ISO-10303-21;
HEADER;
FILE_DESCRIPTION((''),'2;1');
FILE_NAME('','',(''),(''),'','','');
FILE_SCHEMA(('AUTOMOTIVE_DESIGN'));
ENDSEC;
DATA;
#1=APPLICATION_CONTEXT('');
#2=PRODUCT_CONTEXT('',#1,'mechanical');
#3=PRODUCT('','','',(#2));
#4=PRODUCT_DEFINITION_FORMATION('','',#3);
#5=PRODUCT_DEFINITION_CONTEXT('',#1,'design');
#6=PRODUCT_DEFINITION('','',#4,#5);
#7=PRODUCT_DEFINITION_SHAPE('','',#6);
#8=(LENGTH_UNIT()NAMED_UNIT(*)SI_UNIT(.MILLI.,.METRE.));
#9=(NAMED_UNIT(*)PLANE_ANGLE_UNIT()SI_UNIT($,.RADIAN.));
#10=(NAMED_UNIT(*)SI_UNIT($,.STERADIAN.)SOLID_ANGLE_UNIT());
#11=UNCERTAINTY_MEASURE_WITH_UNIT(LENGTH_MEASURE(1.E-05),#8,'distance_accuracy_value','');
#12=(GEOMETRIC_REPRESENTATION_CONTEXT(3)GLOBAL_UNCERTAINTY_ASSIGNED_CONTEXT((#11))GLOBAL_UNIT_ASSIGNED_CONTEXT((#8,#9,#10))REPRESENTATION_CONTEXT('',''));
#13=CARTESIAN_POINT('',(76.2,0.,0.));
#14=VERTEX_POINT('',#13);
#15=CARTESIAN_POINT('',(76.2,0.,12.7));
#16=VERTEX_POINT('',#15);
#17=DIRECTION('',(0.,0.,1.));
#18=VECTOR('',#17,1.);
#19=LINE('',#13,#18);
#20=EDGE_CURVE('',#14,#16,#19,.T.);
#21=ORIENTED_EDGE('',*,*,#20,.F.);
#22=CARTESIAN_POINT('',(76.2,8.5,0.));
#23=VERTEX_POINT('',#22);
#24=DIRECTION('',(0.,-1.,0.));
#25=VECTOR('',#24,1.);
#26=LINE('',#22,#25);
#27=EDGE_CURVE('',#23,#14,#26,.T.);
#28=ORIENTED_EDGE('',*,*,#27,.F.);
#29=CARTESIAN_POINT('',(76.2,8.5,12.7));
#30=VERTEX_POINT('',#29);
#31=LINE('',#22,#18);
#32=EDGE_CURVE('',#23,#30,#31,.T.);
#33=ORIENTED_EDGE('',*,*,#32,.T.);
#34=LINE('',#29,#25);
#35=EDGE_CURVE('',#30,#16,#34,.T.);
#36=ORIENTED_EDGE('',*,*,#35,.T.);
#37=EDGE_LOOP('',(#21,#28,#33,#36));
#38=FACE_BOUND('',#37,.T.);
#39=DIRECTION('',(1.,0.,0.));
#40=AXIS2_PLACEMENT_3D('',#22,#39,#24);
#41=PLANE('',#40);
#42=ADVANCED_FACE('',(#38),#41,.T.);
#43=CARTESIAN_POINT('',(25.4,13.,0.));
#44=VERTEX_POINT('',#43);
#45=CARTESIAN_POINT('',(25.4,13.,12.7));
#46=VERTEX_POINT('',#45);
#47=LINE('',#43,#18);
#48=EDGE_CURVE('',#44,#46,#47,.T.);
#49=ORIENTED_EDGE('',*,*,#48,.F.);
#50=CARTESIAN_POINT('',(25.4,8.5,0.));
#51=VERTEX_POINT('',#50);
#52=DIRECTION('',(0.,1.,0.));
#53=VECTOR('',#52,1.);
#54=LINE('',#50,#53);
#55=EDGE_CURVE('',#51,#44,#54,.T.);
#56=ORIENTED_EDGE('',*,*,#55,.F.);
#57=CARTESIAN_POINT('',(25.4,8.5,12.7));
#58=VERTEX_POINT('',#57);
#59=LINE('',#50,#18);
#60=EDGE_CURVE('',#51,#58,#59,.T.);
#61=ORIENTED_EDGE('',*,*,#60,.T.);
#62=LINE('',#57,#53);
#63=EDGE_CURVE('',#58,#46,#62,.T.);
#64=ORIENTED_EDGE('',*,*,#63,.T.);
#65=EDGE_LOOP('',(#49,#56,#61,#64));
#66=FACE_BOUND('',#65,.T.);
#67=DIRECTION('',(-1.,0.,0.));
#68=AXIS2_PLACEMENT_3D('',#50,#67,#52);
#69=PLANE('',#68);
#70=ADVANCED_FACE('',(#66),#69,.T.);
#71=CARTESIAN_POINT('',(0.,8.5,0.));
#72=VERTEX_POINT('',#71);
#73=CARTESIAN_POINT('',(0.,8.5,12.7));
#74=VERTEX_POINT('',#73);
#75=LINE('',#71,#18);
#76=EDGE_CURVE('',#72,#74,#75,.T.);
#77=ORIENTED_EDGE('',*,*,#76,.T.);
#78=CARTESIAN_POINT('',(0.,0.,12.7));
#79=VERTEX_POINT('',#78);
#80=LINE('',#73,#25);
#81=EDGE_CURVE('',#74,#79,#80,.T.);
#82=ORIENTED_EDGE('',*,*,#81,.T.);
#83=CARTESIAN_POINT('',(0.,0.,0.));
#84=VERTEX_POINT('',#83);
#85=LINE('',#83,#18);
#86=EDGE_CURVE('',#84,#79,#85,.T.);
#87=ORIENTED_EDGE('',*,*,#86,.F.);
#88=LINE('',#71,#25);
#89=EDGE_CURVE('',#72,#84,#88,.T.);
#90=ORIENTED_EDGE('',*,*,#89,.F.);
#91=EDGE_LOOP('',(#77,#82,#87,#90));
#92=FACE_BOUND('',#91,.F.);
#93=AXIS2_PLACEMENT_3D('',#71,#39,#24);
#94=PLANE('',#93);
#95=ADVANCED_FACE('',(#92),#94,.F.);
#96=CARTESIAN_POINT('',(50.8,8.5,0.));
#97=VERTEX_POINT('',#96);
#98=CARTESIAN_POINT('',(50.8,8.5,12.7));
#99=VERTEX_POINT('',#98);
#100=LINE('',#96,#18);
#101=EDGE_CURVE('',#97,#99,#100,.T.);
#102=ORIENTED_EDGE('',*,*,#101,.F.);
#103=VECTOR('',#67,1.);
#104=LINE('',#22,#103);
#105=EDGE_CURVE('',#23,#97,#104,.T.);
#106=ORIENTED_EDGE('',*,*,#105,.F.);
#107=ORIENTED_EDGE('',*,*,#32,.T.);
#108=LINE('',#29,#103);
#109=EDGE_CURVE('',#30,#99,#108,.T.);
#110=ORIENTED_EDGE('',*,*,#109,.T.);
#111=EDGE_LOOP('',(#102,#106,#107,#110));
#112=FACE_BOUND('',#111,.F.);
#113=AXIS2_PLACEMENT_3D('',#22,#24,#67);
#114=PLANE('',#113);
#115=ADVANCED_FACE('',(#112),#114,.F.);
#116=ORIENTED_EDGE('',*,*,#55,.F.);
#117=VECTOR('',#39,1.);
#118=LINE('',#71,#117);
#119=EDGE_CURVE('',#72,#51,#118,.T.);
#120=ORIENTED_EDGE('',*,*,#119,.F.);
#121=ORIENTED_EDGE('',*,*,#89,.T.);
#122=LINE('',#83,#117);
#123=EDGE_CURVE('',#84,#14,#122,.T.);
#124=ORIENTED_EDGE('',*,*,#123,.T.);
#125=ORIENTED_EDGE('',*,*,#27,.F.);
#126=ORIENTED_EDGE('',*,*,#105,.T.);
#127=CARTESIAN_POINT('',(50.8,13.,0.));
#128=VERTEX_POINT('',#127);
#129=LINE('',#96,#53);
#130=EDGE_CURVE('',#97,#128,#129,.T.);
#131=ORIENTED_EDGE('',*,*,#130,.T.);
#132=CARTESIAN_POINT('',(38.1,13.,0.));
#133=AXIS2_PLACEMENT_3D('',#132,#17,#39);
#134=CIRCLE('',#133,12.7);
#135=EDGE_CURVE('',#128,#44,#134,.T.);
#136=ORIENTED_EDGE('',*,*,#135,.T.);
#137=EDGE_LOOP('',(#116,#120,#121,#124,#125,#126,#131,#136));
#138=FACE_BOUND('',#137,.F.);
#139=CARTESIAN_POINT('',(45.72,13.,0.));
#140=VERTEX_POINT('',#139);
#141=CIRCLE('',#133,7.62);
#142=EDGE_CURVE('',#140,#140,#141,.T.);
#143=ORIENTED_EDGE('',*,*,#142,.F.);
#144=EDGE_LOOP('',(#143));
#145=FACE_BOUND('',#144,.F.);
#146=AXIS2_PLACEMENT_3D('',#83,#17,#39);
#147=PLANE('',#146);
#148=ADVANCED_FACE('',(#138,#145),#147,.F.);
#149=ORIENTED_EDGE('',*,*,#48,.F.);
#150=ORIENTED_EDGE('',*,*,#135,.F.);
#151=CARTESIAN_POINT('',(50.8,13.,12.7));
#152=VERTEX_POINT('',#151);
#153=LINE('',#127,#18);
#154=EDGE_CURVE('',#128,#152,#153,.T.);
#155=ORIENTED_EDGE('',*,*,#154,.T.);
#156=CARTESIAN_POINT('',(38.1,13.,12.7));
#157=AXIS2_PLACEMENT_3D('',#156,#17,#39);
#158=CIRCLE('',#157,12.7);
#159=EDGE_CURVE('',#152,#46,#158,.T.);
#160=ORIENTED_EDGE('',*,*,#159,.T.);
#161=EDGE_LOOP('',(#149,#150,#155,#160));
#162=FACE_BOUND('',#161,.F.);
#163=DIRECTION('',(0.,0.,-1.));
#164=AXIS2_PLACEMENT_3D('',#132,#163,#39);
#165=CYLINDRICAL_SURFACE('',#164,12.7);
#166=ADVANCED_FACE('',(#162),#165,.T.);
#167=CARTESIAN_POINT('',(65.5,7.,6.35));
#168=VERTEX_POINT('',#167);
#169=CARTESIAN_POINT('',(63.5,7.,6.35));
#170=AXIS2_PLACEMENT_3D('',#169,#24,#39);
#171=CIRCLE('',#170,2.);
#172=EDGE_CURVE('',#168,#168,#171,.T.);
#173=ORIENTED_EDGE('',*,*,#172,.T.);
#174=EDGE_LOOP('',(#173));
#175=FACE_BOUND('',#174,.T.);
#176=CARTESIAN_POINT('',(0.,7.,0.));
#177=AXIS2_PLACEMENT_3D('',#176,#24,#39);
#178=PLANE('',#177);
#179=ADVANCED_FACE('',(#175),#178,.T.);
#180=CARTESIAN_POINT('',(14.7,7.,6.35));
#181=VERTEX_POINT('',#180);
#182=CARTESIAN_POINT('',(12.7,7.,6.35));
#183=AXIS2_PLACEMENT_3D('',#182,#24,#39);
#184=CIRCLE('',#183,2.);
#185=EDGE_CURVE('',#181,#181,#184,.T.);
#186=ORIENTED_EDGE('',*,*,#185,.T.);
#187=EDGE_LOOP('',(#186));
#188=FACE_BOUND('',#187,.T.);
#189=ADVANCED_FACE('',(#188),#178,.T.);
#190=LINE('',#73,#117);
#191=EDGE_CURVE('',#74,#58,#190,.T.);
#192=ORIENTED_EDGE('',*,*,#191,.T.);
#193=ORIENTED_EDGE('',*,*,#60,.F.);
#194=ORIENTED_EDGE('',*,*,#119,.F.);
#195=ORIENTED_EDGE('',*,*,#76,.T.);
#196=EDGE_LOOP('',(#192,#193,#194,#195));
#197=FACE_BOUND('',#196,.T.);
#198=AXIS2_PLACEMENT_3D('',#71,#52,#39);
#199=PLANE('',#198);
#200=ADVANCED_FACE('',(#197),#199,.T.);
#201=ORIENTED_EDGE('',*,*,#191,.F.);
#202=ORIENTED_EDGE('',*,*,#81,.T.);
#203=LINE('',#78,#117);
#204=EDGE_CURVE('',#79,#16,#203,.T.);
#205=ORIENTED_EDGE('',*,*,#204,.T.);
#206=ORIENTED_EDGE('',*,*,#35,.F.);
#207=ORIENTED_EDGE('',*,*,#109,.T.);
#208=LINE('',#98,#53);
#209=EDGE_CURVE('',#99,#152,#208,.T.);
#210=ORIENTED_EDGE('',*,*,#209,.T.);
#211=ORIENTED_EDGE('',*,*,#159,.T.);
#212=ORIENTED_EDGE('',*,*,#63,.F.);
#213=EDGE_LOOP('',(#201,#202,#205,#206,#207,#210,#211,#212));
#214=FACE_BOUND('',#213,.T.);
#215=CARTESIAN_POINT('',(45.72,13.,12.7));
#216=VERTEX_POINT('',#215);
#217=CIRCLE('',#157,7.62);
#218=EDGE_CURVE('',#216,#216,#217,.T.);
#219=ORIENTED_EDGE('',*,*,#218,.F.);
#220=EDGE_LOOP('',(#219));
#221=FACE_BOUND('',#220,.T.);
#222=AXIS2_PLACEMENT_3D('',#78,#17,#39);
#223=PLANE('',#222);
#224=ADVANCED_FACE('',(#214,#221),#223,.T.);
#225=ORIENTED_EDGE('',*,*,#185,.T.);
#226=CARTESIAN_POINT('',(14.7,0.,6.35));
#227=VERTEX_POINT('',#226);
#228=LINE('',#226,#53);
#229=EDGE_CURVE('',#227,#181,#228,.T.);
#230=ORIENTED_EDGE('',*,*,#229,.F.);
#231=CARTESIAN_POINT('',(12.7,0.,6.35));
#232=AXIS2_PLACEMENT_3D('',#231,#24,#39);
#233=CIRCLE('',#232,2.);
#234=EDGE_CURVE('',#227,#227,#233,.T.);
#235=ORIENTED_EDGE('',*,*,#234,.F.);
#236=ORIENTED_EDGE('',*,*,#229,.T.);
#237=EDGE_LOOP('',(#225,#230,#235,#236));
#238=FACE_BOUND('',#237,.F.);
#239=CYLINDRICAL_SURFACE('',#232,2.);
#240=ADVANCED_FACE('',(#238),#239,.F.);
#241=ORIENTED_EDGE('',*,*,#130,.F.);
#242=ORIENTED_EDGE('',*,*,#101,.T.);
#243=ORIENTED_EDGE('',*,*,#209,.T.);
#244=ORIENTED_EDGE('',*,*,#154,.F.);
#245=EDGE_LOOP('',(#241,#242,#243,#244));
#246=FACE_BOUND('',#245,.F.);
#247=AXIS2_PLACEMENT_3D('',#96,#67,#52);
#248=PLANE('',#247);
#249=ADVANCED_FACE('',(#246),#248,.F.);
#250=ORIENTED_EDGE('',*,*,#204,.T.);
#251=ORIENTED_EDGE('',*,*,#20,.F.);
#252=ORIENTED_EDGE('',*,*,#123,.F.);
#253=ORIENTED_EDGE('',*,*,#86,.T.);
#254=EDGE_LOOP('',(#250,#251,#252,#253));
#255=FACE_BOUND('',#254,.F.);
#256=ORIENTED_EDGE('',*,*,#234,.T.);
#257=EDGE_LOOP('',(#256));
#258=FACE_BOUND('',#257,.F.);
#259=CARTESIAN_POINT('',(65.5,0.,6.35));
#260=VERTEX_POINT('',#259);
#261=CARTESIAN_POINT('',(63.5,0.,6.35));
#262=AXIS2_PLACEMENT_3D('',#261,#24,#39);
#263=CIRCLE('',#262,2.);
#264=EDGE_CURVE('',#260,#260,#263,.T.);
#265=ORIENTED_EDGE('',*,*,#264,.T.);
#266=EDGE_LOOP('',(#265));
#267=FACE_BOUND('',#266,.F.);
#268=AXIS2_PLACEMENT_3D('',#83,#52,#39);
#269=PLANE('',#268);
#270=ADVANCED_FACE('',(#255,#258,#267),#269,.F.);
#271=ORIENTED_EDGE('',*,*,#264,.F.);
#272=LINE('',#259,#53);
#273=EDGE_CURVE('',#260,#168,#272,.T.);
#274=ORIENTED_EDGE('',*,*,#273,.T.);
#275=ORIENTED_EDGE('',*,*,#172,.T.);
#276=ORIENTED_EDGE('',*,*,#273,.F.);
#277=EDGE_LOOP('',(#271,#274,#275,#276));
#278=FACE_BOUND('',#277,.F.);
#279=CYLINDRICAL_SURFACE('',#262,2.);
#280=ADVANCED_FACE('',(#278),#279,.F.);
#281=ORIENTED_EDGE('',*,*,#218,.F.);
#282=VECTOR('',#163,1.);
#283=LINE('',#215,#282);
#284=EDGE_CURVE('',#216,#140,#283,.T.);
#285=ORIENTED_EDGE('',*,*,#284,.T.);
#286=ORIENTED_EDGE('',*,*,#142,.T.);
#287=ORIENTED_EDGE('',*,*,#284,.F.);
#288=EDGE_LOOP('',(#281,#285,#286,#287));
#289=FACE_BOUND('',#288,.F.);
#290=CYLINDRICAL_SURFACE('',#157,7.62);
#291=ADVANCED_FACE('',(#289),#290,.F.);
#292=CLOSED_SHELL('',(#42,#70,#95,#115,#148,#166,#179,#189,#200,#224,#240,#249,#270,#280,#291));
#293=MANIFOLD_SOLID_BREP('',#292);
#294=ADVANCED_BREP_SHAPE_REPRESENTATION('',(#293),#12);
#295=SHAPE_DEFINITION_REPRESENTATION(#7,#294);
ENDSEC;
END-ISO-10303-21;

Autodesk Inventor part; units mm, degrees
ref_plane "YZ Plane" through (0, 0, 0) normal (1, 0, 0) x (0, 1, 0)
ref_plane "XZ Plane" through (0, 0, 0) normal (0, 1, 0) x (-1, 0, 0)
ref_plane "XY Plane" through (0, 0, 0) normal (0, 0, 1) x (1, 0, 0)
sketch "Sketch1" plane through (0, 0, 0) normal (0, 0, 1) x (1, 0, 0)
  line L0 (0, 0) -> (76.2, 0)
  line L1 (50.8, 8.5) -> (50.8, 13)
  line L2 (25.4, 8.5) -> (25.4, 13)
  arc A0 (50.8, 13) -> (25.4, 13) centre (38.1, 13) ccw
  line L3 (0, 8.5) -> (25.4, 8.5)
  line L4 (76.2, 8.5) -> (50.8, 8.5)
  line L5 (76.2, 8.5) -> (76.2, 0)
  line L6 (0, 8.5) -> (0, 0)
  dimension "d0" = 76.2
  dimension "d4" = 25.4
  dimension "d18" = 13
  dimension "d20" = 25.4
  dimension "d21" = 8.5
  dimension "d22" = 8.5
  dimension "d23" = 12.7
  dimension "d24" = 25.4
  dimension "d25" = 12.7
extrude "BearingBlock" add sketch "Sketch1" along normal blind 12.7
sketch "Sketch2" plane through (0, 0, 12.7) normal (0, 0, 1) x (1, 0, 0)
  arc A0 (50.8, 13) -> (25.4, 13) centre (38.1, 13) ccw projected
  line L0 (0, 0) -> (76.2, 0) projected
  circle A1 centre (38.1, 13) radius 7.62
  point P0 (38.1, 25.7)
  dimension "d8" = 15.24
  dimension "d26" = 13
extrude "BearingMount" cut sketch "Sketch2" against normal through all
sketch "Sketch3" plane through (0, 0, 0) normal (0, -1, 0) x (1, 0, 0)
  line L0 (0, 0) -> (0, 12.7) projected
  line L1 (-76.2, 6.35) -> (76.2, 6.35) construction
  line L2 (76.2, 0) -> (76.2, 12.7) projected
  circle A0 centre (12.7, 6.35) radius 2
  circle A1 centre (63.5, 6.35) radius 2
  point P0 (0, 6.35)
  dimension "d11" = 12.7
  dimension "d12" = 12.7
  dimension "d13" = 4
  dimension "d14" = 4
  dimension "d15" = 50.8
extrude "HeatSetInsert" cut sketch "Sketch3" against normal blind 7
equation "\"d18\" = motor_centerline_height"
equation "\"d13\" = m3_heat_set_insert"
equation "\"d14\" = m3_heat_set_insert"
equation "\"m3_heat_set_insert\" = 4"
equation "\"m3_clearance\" = 3.4"
equation "\"m3_heat_set_depth\" = 7"
equation "\"robot_diameter\" = 354"
equation "\"hardboard_thickness\" = 5"
equation "\"motor_centerline_height\" = 13"
properties part number "wheel_bearing2"
